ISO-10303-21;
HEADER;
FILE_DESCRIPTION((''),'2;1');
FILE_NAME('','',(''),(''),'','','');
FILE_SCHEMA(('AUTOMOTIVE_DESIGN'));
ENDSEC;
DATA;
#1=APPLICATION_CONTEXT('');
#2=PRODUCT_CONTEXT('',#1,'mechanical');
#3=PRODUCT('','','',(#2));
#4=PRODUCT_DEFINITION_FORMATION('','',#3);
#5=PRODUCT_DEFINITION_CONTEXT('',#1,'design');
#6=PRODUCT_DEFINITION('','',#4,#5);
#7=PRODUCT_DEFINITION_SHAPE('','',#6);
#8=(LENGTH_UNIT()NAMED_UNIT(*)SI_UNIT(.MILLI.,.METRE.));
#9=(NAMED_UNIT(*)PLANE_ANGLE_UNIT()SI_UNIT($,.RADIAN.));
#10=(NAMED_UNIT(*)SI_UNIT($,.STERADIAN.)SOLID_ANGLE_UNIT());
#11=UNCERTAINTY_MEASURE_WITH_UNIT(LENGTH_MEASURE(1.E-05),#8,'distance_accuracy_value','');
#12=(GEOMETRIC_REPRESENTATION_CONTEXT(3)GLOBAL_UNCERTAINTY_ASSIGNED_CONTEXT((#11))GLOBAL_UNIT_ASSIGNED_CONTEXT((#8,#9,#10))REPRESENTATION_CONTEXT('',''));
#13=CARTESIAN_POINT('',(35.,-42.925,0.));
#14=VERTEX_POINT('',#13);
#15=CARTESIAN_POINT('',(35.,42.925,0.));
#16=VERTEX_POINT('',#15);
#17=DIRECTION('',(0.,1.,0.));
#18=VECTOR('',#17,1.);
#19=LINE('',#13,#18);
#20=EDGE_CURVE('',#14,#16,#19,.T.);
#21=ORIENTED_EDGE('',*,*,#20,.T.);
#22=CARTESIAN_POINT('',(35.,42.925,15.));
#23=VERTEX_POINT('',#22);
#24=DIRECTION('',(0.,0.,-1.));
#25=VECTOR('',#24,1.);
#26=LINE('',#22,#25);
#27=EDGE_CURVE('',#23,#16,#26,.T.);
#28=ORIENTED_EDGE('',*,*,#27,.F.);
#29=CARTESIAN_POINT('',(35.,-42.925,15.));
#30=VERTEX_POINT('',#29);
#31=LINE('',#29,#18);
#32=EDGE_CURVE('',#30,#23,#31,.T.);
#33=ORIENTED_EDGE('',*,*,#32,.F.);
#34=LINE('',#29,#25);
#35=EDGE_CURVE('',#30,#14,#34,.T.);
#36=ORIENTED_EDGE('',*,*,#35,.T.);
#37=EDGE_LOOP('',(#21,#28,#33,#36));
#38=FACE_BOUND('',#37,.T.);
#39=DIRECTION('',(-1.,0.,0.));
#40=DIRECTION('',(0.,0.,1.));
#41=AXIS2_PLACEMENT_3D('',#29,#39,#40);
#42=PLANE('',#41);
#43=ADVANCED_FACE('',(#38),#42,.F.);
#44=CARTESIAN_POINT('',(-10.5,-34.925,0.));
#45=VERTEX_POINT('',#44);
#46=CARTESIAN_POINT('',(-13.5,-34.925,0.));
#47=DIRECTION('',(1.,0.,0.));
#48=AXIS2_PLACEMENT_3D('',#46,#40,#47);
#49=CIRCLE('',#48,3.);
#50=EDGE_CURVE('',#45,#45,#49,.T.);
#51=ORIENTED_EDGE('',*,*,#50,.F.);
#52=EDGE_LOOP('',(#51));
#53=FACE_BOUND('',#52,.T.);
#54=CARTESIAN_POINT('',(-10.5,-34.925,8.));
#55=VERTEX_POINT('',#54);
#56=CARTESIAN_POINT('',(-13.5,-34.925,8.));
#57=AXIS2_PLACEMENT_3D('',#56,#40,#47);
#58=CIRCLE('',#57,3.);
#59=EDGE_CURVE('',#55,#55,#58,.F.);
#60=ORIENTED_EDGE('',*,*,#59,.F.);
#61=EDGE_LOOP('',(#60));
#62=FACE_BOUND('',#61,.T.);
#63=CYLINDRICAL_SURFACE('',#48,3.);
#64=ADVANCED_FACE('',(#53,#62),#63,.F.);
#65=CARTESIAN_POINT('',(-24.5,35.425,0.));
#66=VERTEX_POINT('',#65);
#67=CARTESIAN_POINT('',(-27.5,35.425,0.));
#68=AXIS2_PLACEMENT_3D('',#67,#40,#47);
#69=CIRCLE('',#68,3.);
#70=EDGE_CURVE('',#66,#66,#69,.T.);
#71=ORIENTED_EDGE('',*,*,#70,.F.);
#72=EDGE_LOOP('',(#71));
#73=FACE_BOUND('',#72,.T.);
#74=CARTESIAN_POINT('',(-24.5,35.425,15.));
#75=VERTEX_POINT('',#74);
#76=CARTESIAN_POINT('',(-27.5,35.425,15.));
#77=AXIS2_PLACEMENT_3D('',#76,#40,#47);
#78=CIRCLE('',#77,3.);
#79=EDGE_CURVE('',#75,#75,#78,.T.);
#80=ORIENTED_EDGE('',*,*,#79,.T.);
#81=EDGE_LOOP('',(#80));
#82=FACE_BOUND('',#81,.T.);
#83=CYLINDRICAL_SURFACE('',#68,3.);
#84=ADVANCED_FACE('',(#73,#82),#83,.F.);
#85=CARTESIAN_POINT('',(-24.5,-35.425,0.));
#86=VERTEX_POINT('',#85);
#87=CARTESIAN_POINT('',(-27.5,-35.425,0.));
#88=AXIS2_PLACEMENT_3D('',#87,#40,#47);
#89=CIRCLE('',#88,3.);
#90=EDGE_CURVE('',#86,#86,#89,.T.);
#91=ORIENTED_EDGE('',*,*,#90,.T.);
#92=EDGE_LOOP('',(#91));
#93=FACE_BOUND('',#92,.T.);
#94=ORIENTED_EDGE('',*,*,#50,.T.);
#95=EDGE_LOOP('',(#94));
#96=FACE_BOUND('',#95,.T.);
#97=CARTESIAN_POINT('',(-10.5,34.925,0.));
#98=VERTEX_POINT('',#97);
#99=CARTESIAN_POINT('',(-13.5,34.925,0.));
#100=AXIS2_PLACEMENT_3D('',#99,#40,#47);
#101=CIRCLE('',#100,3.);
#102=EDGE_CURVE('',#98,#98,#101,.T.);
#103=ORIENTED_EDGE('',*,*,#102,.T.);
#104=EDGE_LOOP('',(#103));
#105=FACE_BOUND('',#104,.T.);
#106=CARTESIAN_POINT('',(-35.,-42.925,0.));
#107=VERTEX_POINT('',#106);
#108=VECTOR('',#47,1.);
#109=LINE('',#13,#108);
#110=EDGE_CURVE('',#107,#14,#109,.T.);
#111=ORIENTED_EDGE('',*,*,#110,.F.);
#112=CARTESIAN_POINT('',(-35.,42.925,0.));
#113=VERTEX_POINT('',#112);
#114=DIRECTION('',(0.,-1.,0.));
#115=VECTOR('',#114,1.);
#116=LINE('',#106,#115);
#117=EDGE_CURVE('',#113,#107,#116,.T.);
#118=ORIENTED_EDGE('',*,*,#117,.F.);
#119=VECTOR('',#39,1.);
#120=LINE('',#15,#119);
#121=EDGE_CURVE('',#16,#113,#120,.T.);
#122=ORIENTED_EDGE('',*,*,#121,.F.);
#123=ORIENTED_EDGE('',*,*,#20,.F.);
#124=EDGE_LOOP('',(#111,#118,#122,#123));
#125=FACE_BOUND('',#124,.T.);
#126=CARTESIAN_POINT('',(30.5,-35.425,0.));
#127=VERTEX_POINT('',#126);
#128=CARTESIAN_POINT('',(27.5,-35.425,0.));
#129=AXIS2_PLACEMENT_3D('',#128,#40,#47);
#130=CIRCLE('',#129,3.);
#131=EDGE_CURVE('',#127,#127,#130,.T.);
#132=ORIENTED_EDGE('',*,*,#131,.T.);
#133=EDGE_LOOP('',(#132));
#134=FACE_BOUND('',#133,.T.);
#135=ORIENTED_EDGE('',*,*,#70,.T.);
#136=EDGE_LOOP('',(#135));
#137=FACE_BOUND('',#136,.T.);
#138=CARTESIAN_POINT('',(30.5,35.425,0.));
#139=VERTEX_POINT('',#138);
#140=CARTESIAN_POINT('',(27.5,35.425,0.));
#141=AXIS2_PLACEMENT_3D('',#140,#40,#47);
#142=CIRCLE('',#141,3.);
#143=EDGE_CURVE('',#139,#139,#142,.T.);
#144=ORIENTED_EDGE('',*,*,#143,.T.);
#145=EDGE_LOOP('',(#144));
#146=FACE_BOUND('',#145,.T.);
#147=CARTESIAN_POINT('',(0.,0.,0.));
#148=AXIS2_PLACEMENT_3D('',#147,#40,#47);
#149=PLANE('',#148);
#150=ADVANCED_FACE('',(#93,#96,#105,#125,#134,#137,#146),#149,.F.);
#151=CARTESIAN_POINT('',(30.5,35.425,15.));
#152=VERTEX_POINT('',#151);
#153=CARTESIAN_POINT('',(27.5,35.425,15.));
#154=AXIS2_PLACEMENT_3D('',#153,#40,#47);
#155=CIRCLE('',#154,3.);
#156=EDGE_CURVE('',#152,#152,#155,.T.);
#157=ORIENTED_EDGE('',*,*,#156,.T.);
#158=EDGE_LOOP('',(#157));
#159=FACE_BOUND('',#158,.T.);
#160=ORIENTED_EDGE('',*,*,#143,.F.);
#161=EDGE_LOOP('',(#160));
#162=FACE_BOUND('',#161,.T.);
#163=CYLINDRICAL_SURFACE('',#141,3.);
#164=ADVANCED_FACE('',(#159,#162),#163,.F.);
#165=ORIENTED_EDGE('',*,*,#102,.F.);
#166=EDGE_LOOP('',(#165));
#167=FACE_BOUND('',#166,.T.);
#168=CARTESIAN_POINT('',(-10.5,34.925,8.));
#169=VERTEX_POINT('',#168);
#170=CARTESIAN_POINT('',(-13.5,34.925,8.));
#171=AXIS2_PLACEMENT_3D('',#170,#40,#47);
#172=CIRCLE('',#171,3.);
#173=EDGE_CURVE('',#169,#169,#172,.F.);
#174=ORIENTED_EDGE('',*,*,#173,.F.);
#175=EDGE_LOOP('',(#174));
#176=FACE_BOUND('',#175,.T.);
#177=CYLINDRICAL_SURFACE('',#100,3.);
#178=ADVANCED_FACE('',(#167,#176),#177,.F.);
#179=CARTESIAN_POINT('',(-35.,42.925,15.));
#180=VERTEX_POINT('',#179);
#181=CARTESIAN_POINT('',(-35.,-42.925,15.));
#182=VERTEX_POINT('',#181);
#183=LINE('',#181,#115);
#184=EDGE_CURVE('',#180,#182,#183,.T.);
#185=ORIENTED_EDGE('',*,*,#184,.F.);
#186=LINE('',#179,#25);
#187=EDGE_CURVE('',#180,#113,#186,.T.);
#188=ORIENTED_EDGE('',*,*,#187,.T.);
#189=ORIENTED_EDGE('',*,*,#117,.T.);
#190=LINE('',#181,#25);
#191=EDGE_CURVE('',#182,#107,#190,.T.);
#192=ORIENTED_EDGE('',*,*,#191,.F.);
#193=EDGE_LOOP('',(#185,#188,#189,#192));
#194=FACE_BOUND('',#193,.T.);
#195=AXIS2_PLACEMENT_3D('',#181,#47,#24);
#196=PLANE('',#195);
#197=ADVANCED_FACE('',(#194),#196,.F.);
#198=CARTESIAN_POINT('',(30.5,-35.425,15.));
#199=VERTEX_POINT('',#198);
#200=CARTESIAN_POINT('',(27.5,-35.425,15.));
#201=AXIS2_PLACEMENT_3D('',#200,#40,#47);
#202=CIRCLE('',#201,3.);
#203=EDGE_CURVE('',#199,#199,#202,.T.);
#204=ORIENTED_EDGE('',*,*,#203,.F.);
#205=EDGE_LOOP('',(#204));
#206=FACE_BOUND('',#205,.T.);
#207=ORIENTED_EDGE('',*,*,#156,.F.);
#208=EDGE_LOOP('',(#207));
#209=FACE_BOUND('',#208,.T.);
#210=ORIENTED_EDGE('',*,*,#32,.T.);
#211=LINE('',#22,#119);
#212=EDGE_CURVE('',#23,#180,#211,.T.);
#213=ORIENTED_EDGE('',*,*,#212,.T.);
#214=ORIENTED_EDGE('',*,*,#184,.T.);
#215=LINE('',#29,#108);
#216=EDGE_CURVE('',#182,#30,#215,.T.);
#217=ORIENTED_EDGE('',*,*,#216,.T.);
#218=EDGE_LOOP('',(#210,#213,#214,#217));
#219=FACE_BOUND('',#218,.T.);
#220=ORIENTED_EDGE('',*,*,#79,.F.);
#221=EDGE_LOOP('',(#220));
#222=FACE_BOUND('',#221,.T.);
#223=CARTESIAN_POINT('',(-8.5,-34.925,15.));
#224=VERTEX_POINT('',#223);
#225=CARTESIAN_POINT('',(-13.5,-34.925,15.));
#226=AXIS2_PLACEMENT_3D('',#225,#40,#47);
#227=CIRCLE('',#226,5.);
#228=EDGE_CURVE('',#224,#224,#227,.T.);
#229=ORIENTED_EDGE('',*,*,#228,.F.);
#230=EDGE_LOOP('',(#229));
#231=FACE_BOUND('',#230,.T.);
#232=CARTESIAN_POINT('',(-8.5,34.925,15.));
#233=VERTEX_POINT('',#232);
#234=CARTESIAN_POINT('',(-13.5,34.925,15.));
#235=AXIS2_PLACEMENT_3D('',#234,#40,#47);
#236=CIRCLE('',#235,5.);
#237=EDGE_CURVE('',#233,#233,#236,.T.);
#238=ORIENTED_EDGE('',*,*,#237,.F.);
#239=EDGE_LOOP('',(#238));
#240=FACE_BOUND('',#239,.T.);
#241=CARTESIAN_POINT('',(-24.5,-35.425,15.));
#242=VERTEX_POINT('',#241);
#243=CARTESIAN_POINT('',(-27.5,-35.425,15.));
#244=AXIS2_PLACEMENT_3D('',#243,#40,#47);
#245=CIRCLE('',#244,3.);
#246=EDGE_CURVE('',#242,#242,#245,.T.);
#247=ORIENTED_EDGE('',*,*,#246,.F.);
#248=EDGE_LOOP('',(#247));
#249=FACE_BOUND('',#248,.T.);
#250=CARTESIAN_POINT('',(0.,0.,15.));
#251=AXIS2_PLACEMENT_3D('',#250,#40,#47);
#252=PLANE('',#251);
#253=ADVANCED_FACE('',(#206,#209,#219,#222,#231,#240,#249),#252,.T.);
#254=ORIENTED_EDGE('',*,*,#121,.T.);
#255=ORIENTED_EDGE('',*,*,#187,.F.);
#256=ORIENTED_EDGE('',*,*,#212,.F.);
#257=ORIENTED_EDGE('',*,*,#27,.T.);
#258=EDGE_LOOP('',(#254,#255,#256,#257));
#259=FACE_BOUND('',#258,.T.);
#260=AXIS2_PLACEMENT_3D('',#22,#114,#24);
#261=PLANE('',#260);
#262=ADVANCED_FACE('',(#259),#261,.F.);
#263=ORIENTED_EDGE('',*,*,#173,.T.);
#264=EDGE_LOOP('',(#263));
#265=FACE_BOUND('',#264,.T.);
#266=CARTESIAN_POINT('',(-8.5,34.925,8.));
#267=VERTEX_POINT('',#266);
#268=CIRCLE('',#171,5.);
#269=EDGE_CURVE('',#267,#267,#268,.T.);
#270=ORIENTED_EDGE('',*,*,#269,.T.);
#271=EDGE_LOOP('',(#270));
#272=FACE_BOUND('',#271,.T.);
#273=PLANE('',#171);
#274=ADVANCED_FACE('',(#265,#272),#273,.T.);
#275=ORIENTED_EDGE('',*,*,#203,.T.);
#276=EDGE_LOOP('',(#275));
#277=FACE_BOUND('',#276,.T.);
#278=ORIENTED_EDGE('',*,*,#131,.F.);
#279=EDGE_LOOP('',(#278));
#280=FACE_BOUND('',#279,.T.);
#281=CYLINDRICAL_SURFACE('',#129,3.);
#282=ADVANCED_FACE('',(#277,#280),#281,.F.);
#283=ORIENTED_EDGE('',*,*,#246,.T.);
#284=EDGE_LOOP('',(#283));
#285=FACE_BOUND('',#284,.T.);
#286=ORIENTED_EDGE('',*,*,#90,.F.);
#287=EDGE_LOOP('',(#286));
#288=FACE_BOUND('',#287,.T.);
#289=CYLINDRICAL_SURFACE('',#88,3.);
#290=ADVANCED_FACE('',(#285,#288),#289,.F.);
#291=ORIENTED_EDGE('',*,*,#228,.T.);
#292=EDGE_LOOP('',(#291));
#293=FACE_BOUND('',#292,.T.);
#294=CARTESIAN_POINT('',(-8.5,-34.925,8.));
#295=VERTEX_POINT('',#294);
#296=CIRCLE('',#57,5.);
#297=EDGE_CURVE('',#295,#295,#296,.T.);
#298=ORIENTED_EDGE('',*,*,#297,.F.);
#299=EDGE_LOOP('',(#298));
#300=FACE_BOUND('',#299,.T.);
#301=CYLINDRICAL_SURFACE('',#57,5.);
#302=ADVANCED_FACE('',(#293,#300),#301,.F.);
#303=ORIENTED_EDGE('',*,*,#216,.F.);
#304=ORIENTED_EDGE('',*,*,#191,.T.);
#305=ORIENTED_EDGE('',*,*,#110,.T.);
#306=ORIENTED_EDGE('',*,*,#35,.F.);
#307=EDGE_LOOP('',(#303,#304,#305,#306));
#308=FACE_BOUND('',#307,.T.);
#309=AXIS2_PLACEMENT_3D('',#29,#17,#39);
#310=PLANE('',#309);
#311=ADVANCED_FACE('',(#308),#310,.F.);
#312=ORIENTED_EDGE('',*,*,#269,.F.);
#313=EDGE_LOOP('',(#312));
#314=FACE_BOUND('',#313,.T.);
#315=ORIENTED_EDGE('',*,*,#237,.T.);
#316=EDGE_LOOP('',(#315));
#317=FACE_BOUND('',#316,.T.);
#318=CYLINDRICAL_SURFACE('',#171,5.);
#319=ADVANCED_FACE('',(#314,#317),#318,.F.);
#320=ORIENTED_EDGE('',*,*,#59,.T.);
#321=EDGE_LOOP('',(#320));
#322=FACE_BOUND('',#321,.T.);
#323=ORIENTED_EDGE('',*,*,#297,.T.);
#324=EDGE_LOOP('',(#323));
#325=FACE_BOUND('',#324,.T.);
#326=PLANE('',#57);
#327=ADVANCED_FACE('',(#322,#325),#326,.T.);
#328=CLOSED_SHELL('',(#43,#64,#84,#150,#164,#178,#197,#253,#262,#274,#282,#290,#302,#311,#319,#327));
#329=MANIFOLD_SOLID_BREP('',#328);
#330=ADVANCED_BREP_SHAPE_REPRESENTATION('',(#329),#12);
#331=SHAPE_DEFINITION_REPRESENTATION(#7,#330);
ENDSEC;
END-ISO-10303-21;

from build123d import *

# Parameters (mm, degrees)
SZKIC1_W                    = 70
SZKIC1_H                    = 85.85
DODANIE_WYCI_GNI_CIE1_DEPTH = 15
SZKIC2_R                    = 3
WYTNIJ_WYCI_GNI_CIE1_DEPTH  = 15
SZKIC3_R                    = 5
WYTNIJ_WYCI_GNI_CIE2_DEPTH  = 7
SZKIC4_R                    = 3
WYTNIJ_WYCI_GNI_CIE3_DEPTH  = 15
SZYK_LINIOWY1_COUNT         = 2
SZYK_LINIOWY1_PITCH         = 55
SZYK_LINIOWY1_COUNT_DIR2    = 2
SZYK_LINIOWY1_PITCH_DIR2    = 70.85


with BuildPart() as part:
    # Szkic1 → Dodanie-wyciągnięcie1 (new body)
    with BuildSketch(Plane.XY):
        Rectangle(SZKIC1_W, SZKIC1_H)
    extrude(amount=DODANIE_WYCI_GNI_CIE1_DEPTH)

    # Szkic2 → Wytnij-wyciągnięcie1 (cut)
    with BuildSketch(Plane.XY.offset(15)):
        with Locations((-13.5, 34.925)):
            Circle(SZKIC2_R)
        with Locations((-13.5, -34.925)):
            Circle(SZKIC2_R)
    extrude(amount=-WYTNIJ_WYCI_GNI_CIE1_DEPTH, mode=Mode.SUBTRACT)

    # Szkic3 → Wytnij-wyciągnięcie2 (cut)
    with BuildSketch(Plane.XY.offset(15)):
        with Locations((-13.5, 34.925)):
            Circle(SZKIC3_R)
        with Locations((-13.5, -34.925)):
            Circle(SZKIC3_R)
    extrude(amount=-WYTNIJ_WYCI_GNI_CIE2_DEPTH, mode=Mode.SUBTRACT)

    # Szkic4 → Wytnij-wyciągnięcie3 (cut)
    with BuildSketch(Plane.XY.offset(15)):
        with Locations((27.5, 35.425)):
            Circle(SZKIC4_R)
    wytnij_wyci_gni_cie3 = extrude(amount=-WYTNIJ_WYCI_GNI_CIE3_DEPTH, mode=Mode.SUBTRACT)

    # Szyk liniowy1: Wytnij-wyci_gni_cie3 2 × 2
    with Locations(*[(-i * SZYK_LINIOWY1_PITCH, -j * SZYK_LINIOWY1_PITCH_DIR2, 0) for i in range(SZYK_LINIOWY1_COUNT) for j in range(SZYK_LINIOWY1_COUNT_DIR2) if (i, j) != (0, 0)]):
        add(wytnij_wyci_gni_cie3, mode=Mode.SUBTRACT)


solid = part.part
